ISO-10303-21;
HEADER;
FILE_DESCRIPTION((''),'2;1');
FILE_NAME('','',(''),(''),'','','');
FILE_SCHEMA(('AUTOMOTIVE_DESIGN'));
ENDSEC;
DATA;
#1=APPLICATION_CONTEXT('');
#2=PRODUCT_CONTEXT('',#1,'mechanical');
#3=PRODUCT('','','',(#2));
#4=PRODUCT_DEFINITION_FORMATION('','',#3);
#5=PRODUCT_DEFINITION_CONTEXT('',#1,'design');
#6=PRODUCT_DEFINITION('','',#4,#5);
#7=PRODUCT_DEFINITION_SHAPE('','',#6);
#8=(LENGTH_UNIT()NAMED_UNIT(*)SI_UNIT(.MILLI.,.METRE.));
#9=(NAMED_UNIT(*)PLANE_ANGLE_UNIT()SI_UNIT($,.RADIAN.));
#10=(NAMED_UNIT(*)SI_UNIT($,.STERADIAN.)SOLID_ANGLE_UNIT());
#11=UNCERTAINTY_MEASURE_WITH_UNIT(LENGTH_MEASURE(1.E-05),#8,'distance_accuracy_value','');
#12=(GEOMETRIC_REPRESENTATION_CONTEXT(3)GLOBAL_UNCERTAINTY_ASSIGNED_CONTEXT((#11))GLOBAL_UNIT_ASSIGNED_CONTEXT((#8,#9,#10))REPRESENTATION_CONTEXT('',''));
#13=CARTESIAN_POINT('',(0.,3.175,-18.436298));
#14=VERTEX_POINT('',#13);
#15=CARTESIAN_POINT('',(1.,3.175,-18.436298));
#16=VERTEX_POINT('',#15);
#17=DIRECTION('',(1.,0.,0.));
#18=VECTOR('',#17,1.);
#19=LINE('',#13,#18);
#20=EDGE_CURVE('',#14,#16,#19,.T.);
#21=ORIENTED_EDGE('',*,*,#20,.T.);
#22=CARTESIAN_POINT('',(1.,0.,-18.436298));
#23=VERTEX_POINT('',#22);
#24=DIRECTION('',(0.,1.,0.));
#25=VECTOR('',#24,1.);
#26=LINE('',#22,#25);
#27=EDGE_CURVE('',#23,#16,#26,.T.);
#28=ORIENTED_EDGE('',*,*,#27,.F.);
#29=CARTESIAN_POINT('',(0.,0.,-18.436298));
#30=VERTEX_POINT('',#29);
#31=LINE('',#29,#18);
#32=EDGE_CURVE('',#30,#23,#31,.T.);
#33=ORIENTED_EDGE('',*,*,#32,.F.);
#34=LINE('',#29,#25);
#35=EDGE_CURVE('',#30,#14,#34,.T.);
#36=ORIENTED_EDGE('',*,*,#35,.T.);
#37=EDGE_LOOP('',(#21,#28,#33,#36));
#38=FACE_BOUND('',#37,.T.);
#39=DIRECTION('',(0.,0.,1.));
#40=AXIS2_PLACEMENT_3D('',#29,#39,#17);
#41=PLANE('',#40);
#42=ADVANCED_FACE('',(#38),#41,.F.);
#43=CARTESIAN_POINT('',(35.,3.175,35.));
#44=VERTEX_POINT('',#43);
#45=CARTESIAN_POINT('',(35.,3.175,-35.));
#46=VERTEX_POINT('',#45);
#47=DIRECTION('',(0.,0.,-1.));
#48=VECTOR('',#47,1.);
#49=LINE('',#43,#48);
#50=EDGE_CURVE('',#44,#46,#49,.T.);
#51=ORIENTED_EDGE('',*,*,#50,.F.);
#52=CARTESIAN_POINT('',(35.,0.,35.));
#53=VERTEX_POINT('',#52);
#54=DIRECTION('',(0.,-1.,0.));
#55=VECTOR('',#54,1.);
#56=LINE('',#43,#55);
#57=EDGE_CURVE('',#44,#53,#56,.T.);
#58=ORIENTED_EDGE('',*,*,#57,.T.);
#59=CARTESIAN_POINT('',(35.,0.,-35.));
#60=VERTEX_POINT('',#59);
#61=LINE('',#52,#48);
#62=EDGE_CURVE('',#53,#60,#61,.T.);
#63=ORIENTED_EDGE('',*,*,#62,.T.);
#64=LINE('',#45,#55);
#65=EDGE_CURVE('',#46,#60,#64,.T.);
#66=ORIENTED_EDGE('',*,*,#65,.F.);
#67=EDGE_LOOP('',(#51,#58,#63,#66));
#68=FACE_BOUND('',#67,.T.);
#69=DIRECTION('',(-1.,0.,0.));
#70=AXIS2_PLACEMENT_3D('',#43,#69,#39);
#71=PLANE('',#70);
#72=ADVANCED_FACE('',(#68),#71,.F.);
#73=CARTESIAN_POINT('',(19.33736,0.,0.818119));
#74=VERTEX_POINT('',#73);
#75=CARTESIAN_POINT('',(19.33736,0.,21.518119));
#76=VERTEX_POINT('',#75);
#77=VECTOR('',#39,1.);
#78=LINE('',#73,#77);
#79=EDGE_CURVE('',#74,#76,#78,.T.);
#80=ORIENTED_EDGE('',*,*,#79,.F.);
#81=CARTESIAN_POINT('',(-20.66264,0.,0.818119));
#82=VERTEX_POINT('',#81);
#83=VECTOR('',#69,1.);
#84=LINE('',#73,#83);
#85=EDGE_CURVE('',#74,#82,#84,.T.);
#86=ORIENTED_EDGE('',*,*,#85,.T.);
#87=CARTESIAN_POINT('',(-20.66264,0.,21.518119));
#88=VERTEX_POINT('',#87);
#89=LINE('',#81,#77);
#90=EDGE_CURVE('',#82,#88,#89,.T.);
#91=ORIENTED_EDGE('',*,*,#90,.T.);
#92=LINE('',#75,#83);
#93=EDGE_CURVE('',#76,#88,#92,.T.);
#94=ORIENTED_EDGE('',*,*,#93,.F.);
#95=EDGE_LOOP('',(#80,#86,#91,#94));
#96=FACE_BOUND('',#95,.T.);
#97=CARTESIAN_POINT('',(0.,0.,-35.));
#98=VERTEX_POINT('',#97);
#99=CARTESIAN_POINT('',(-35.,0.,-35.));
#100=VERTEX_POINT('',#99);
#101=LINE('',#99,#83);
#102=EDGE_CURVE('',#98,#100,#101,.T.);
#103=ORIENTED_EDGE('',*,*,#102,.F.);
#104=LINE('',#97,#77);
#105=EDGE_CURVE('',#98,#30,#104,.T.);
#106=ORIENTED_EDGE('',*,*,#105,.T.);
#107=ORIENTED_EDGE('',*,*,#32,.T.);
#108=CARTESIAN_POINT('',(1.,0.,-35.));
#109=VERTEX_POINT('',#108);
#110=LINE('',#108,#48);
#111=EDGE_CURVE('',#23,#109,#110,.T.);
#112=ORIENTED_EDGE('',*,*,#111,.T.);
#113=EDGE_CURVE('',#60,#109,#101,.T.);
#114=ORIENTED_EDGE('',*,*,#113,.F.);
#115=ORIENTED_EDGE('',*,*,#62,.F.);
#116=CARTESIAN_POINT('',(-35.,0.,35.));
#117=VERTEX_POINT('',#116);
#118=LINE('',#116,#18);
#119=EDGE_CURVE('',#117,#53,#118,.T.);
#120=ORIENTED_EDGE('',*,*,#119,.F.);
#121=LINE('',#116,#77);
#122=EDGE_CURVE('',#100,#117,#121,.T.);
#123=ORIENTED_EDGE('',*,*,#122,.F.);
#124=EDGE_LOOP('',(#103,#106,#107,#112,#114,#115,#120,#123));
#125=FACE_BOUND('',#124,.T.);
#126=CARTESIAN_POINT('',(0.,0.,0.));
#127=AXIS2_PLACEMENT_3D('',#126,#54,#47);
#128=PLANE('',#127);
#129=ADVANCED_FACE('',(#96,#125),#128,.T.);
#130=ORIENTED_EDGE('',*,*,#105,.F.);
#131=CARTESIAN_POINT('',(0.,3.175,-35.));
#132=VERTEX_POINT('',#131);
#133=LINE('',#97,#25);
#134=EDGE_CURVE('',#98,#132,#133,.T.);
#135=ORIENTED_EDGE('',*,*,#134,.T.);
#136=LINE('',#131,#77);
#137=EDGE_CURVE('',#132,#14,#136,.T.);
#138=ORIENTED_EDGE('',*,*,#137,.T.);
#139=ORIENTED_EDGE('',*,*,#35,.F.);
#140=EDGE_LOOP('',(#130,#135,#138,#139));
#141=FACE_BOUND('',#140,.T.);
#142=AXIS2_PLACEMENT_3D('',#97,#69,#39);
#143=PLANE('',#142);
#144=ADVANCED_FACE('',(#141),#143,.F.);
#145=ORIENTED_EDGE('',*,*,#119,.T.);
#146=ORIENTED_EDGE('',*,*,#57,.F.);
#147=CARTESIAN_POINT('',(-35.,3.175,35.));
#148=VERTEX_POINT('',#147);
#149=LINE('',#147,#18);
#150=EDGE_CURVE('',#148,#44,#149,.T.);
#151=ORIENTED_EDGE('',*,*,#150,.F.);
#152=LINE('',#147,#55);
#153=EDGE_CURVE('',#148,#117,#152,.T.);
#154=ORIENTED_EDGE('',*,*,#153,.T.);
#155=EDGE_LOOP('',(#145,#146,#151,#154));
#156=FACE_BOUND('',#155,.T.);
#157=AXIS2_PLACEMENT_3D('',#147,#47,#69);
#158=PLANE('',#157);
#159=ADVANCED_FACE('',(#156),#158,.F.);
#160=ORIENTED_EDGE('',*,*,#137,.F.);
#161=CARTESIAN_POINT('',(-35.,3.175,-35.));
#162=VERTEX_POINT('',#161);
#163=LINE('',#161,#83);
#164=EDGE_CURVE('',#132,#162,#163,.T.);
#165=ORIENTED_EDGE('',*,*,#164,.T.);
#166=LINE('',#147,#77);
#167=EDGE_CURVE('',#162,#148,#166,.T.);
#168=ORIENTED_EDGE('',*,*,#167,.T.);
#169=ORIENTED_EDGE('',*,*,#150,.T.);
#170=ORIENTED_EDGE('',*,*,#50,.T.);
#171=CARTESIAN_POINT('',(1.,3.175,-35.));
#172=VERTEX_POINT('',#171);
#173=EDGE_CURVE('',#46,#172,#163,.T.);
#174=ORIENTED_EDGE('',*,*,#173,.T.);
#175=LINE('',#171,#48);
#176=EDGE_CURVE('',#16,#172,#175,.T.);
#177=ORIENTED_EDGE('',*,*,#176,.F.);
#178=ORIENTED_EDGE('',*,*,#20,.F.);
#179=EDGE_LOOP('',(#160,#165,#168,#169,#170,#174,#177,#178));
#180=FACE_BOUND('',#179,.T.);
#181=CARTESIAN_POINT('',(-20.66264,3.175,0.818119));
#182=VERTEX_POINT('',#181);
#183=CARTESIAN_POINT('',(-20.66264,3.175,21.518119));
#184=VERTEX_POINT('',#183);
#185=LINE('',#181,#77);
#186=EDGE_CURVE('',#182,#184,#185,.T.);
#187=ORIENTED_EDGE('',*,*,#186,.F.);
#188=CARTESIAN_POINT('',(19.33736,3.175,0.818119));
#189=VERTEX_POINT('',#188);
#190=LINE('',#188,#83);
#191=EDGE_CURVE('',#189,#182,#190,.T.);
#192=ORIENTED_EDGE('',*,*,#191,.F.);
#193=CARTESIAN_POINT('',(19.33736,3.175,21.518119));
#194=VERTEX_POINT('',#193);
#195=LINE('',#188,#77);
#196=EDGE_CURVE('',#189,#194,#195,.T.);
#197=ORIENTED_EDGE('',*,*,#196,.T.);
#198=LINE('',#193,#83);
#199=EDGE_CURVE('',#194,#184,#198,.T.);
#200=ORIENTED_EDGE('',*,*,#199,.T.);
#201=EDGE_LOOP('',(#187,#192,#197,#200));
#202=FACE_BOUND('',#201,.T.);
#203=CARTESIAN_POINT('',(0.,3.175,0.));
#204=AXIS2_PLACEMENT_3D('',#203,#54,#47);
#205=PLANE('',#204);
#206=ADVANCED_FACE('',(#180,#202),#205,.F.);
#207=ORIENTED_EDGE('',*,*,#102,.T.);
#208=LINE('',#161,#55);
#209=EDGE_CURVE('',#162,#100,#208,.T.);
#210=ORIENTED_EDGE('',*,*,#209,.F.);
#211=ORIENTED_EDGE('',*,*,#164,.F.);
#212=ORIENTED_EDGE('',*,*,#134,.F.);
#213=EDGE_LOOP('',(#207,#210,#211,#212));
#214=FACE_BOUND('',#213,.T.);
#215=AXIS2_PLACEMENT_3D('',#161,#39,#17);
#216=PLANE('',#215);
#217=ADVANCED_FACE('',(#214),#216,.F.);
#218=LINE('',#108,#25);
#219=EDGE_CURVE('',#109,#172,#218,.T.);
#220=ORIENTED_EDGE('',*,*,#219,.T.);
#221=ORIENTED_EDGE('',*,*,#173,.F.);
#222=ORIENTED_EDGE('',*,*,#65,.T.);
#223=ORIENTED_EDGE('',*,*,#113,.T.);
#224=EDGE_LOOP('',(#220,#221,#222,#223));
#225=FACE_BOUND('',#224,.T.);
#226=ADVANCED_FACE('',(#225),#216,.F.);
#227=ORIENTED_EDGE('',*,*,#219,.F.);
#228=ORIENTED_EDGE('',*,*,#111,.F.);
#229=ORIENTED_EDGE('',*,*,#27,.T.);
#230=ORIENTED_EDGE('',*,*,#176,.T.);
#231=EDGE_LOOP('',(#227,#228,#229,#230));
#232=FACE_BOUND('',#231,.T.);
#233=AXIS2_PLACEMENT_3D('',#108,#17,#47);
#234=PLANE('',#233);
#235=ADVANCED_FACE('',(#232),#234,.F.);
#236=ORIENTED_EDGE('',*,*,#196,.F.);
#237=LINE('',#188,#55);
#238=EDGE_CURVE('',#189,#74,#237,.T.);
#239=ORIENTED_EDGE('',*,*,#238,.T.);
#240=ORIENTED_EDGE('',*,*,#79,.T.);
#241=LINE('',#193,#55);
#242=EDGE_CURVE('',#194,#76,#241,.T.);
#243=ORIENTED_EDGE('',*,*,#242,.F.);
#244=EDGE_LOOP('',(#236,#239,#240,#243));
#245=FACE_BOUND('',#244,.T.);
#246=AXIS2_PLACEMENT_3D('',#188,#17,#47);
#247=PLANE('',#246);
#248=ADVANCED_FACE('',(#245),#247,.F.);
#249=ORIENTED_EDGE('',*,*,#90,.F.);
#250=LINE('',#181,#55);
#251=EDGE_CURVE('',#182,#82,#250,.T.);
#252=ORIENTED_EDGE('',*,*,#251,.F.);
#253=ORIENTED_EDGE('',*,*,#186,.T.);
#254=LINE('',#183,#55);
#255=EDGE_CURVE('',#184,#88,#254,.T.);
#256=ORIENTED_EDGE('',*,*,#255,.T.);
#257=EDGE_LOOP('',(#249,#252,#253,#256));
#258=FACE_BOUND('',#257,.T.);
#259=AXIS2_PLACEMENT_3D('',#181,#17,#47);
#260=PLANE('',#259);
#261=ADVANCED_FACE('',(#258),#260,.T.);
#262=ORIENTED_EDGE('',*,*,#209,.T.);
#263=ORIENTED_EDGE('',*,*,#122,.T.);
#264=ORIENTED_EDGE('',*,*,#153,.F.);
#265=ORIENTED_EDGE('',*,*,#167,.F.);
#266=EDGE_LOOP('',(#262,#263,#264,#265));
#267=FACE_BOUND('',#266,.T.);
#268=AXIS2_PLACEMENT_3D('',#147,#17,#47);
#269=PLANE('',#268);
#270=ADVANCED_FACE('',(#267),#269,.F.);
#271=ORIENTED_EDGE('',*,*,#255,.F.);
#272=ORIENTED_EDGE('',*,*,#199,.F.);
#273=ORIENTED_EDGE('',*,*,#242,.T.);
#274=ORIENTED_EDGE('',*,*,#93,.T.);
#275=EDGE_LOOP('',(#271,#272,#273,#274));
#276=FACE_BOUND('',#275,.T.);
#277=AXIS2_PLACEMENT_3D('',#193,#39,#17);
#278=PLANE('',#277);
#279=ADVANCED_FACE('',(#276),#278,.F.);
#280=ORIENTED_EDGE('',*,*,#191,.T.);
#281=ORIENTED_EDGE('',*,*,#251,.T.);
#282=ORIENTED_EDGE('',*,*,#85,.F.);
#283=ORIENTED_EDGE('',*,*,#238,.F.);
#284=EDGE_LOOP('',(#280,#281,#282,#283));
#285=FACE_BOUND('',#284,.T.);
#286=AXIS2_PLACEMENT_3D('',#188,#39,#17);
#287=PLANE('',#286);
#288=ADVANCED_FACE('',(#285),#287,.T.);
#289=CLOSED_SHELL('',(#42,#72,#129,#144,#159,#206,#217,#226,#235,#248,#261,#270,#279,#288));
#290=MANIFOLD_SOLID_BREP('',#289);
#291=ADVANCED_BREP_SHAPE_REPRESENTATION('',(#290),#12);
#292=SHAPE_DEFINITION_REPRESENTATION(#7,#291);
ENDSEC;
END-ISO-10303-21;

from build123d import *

# Parameters (mm, degrees)
SKETCH1_W           = 70
SKETCH1_H           = 70
BOSS_EXTRUDE1_DEPTH = 3.175
SKETCH2_W           = 1
SKETCH2_H           = 16.56370183
CUT_EXTRUDE1_DEPTH  = 3.175
SKETCH3_W           = 40
SKETCH3_H           = 20.7
CUT_EXTRUDE2_DEPTH  = 3.175


with BuildPart() as part:
    # Sketch1 → Boss-Extrude1 (new body)
    with BuildSketch(Plane(origin=(0, 0, 0), x_dir=(1, 0, 0), z_dir=(0, 1, 0))):
        Rectangle(SKETCH1_W, SKETCH1_H)
    extrude(amount=BOSS_EXTRUDE1_DEPTH)

    # Sketch2 → Cut-Extrude1 (cut)
    with BuildSketch(Plane(origin=(0, 3.175, 0), x_dir=(1, 0, 0), z_dir=(0, 1, 0))):
        with Locations((0.5, 26.718149085)):
            Rectangle(SKETCH2_W, SKETCH2_H)
    extrude(amount=-CUT_EXTRUDE1_DEPTH, mode=Mode.SUBTRACT)

    # Sketch3 → Cut-Extrude2 (cut)
    with BuildSketch(Plane(origin=(0, 0, 0), x_dir=(-1, 0, 0), z_dir=(0, -1, 0))):
        with Locations((0.662640496, -11.168119056)):
            Rectangle(SKETCH3_W, SKETCH3_H)
    extrude(amount=-CUT_EXTRUDE2_DEPTH, mode=Mode.SUBTRACT)


solid = part.part
